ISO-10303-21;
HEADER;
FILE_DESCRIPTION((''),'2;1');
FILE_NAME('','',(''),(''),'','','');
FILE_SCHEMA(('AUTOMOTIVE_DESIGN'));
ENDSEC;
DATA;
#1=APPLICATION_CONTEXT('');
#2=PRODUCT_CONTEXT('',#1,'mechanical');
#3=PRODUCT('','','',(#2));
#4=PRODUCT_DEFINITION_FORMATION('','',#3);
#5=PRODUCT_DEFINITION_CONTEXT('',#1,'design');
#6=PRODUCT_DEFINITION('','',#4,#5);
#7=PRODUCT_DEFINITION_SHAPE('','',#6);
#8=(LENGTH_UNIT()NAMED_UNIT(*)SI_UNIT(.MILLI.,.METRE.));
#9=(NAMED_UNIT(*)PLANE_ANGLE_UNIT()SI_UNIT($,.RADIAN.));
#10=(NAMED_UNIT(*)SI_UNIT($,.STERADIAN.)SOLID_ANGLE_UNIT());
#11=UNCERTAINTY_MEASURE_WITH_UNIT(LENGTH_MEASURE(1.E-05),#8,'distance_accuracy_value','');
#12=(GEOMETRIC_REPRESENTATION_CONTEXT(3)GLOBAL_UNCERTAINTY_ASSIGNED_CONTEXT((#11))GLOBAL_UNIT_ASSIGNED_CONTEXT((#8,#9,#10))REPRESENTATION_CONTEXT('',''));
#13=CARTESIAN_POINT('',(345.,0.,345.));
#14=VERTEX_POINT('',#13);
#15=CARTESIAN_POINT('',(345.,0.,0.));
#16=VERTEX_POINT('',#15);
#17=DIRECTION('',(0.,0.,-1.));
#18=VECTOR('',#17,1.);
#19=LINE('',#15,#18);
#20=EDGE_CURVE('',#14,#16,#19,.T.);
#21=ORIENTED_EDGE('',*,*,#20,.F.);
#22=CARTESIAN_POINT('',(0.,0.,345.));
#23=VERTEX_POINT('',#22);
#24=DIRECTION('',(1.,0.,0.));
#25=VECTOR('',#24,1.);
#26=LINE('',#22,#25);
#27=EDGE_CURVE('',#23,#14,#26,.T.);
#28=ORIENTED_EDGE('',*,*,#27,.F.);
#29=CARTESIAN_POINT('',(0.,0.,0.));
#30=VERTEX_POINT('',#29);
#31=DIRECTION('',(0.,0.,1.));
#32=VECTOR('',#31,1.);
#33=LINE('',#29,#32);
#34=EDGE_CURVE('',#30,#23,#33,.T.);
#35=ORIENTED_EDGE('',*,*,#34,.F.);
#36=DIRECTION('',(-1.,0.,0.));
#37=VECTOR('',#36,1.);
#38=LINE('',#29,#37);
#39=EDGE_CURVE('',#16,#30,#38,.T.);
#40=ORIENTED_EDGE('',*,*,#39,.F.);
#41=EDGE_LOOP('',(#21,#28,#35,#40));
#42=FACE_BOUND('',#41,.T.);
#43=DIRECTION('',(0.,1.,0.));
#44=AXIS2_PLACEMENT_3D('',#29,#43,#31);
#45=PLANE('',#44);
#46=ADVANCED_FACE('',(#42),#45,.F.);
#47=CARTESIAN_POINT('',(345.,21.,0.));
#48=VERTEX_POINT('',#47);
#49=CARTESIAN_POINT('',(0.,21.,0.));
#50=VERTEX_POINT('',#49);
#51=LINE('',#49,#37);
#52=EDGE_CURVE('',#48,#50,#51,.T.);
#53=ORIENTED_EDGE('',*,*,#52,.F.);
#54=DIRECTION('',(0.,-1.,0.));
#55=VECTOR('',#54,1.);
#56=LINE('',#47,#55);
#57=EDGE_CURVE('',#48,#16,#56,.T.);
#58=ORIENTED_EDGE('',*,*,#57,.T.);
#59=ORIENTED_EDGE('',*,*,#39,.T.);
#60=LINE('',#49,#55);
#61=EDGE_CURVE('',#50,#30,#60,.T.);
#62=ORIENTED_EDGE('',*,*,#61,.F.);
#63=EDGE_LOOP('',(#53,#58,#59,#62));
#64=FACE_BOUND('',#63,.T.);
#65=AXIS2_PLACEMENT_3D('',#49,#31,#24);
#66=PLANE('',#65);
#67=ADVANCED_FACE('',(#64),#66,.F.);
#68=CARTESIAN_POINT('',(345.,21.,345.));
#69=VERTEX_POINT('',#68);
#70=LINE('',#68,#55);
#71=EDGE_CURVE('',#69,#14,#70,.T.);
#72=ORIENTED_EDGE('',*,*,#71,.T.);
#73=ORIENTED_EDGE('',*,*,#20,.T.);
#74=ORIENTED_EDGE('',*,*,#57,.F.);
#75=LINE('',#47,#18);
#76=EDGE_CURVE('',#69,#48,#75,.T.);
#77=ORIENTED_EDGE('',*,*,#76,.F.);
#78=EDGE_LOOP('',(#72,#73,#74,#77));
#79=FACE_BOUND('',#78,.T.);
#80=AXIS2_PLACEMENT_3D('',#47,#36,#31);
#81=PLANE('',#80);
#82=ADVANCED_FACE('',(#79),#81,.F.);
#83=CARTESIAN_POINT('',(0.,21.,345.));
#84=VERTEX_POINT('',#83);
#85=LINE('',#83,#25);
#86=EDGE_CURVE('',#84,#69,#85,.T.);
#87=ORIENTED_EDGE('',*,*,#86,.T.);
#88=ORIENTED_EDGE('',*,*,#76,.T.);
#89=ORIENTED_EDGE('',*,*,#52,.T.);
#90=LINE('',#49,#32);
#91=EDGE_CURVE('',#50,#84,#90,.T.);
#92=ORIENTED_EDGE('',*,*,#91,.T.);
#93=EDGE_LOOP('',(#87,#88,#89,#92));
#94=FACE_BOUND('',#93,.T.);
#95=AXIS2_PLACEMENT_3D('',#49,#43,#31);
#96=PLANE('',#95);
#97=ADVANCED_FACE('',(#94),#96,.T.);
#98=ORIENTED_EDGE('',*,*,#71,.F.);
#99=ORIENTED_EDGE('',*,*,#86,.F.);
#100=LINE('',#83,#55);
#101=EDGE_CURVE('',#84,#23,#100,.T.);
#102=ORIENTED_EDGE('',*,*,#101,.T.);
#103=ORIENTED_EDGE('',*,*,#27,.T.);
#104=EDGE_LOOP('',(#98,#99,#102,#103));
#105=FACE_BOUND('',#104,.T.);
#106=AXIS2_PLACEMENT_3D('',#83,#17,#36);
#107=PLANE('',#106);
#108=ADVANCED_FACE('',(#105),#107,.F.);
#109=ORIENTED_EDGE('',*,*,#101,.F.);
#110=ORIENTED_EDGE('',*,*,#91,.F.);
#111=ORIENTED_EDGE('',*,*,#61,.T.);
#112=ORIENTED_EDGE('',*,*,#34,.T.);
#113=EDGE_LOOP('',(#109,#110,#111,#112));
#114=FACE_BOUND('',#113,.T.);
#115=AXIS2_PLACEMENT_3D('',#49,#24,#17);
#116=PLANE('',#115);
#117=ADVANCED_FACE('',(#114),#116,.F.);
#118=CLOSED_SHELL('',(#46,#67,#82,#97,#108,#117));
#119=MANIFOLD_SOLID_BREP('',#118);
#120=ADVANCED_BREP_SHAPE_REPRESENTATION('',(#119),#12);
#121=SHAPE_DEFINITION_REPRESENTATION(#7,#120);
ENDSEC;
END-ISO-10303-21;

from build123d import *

# Parameters (mm, degrees)
SZKIC1_W                    = 345
SZKIC1_H                    = 345
DODANIE_WYCI_GNI_CIE1_DEPTH = 21


with BuildPart() as part:
    # Szkic1 → Dodanie-wyciągnięcie1 (new body)
    with BuildSketch(Plane(origin=(0, 0, 0), x_dir=(1, 0, 0), z_dir=(0, 1, 0))):
        with Locations((172.5, -172.5)):
            Rectangle(SZKIC1_W, SZKIC1_H)
    extrude(amount=DODANIE_WYCI_GNI_CIE1_DEPTH)


solid = part.part
